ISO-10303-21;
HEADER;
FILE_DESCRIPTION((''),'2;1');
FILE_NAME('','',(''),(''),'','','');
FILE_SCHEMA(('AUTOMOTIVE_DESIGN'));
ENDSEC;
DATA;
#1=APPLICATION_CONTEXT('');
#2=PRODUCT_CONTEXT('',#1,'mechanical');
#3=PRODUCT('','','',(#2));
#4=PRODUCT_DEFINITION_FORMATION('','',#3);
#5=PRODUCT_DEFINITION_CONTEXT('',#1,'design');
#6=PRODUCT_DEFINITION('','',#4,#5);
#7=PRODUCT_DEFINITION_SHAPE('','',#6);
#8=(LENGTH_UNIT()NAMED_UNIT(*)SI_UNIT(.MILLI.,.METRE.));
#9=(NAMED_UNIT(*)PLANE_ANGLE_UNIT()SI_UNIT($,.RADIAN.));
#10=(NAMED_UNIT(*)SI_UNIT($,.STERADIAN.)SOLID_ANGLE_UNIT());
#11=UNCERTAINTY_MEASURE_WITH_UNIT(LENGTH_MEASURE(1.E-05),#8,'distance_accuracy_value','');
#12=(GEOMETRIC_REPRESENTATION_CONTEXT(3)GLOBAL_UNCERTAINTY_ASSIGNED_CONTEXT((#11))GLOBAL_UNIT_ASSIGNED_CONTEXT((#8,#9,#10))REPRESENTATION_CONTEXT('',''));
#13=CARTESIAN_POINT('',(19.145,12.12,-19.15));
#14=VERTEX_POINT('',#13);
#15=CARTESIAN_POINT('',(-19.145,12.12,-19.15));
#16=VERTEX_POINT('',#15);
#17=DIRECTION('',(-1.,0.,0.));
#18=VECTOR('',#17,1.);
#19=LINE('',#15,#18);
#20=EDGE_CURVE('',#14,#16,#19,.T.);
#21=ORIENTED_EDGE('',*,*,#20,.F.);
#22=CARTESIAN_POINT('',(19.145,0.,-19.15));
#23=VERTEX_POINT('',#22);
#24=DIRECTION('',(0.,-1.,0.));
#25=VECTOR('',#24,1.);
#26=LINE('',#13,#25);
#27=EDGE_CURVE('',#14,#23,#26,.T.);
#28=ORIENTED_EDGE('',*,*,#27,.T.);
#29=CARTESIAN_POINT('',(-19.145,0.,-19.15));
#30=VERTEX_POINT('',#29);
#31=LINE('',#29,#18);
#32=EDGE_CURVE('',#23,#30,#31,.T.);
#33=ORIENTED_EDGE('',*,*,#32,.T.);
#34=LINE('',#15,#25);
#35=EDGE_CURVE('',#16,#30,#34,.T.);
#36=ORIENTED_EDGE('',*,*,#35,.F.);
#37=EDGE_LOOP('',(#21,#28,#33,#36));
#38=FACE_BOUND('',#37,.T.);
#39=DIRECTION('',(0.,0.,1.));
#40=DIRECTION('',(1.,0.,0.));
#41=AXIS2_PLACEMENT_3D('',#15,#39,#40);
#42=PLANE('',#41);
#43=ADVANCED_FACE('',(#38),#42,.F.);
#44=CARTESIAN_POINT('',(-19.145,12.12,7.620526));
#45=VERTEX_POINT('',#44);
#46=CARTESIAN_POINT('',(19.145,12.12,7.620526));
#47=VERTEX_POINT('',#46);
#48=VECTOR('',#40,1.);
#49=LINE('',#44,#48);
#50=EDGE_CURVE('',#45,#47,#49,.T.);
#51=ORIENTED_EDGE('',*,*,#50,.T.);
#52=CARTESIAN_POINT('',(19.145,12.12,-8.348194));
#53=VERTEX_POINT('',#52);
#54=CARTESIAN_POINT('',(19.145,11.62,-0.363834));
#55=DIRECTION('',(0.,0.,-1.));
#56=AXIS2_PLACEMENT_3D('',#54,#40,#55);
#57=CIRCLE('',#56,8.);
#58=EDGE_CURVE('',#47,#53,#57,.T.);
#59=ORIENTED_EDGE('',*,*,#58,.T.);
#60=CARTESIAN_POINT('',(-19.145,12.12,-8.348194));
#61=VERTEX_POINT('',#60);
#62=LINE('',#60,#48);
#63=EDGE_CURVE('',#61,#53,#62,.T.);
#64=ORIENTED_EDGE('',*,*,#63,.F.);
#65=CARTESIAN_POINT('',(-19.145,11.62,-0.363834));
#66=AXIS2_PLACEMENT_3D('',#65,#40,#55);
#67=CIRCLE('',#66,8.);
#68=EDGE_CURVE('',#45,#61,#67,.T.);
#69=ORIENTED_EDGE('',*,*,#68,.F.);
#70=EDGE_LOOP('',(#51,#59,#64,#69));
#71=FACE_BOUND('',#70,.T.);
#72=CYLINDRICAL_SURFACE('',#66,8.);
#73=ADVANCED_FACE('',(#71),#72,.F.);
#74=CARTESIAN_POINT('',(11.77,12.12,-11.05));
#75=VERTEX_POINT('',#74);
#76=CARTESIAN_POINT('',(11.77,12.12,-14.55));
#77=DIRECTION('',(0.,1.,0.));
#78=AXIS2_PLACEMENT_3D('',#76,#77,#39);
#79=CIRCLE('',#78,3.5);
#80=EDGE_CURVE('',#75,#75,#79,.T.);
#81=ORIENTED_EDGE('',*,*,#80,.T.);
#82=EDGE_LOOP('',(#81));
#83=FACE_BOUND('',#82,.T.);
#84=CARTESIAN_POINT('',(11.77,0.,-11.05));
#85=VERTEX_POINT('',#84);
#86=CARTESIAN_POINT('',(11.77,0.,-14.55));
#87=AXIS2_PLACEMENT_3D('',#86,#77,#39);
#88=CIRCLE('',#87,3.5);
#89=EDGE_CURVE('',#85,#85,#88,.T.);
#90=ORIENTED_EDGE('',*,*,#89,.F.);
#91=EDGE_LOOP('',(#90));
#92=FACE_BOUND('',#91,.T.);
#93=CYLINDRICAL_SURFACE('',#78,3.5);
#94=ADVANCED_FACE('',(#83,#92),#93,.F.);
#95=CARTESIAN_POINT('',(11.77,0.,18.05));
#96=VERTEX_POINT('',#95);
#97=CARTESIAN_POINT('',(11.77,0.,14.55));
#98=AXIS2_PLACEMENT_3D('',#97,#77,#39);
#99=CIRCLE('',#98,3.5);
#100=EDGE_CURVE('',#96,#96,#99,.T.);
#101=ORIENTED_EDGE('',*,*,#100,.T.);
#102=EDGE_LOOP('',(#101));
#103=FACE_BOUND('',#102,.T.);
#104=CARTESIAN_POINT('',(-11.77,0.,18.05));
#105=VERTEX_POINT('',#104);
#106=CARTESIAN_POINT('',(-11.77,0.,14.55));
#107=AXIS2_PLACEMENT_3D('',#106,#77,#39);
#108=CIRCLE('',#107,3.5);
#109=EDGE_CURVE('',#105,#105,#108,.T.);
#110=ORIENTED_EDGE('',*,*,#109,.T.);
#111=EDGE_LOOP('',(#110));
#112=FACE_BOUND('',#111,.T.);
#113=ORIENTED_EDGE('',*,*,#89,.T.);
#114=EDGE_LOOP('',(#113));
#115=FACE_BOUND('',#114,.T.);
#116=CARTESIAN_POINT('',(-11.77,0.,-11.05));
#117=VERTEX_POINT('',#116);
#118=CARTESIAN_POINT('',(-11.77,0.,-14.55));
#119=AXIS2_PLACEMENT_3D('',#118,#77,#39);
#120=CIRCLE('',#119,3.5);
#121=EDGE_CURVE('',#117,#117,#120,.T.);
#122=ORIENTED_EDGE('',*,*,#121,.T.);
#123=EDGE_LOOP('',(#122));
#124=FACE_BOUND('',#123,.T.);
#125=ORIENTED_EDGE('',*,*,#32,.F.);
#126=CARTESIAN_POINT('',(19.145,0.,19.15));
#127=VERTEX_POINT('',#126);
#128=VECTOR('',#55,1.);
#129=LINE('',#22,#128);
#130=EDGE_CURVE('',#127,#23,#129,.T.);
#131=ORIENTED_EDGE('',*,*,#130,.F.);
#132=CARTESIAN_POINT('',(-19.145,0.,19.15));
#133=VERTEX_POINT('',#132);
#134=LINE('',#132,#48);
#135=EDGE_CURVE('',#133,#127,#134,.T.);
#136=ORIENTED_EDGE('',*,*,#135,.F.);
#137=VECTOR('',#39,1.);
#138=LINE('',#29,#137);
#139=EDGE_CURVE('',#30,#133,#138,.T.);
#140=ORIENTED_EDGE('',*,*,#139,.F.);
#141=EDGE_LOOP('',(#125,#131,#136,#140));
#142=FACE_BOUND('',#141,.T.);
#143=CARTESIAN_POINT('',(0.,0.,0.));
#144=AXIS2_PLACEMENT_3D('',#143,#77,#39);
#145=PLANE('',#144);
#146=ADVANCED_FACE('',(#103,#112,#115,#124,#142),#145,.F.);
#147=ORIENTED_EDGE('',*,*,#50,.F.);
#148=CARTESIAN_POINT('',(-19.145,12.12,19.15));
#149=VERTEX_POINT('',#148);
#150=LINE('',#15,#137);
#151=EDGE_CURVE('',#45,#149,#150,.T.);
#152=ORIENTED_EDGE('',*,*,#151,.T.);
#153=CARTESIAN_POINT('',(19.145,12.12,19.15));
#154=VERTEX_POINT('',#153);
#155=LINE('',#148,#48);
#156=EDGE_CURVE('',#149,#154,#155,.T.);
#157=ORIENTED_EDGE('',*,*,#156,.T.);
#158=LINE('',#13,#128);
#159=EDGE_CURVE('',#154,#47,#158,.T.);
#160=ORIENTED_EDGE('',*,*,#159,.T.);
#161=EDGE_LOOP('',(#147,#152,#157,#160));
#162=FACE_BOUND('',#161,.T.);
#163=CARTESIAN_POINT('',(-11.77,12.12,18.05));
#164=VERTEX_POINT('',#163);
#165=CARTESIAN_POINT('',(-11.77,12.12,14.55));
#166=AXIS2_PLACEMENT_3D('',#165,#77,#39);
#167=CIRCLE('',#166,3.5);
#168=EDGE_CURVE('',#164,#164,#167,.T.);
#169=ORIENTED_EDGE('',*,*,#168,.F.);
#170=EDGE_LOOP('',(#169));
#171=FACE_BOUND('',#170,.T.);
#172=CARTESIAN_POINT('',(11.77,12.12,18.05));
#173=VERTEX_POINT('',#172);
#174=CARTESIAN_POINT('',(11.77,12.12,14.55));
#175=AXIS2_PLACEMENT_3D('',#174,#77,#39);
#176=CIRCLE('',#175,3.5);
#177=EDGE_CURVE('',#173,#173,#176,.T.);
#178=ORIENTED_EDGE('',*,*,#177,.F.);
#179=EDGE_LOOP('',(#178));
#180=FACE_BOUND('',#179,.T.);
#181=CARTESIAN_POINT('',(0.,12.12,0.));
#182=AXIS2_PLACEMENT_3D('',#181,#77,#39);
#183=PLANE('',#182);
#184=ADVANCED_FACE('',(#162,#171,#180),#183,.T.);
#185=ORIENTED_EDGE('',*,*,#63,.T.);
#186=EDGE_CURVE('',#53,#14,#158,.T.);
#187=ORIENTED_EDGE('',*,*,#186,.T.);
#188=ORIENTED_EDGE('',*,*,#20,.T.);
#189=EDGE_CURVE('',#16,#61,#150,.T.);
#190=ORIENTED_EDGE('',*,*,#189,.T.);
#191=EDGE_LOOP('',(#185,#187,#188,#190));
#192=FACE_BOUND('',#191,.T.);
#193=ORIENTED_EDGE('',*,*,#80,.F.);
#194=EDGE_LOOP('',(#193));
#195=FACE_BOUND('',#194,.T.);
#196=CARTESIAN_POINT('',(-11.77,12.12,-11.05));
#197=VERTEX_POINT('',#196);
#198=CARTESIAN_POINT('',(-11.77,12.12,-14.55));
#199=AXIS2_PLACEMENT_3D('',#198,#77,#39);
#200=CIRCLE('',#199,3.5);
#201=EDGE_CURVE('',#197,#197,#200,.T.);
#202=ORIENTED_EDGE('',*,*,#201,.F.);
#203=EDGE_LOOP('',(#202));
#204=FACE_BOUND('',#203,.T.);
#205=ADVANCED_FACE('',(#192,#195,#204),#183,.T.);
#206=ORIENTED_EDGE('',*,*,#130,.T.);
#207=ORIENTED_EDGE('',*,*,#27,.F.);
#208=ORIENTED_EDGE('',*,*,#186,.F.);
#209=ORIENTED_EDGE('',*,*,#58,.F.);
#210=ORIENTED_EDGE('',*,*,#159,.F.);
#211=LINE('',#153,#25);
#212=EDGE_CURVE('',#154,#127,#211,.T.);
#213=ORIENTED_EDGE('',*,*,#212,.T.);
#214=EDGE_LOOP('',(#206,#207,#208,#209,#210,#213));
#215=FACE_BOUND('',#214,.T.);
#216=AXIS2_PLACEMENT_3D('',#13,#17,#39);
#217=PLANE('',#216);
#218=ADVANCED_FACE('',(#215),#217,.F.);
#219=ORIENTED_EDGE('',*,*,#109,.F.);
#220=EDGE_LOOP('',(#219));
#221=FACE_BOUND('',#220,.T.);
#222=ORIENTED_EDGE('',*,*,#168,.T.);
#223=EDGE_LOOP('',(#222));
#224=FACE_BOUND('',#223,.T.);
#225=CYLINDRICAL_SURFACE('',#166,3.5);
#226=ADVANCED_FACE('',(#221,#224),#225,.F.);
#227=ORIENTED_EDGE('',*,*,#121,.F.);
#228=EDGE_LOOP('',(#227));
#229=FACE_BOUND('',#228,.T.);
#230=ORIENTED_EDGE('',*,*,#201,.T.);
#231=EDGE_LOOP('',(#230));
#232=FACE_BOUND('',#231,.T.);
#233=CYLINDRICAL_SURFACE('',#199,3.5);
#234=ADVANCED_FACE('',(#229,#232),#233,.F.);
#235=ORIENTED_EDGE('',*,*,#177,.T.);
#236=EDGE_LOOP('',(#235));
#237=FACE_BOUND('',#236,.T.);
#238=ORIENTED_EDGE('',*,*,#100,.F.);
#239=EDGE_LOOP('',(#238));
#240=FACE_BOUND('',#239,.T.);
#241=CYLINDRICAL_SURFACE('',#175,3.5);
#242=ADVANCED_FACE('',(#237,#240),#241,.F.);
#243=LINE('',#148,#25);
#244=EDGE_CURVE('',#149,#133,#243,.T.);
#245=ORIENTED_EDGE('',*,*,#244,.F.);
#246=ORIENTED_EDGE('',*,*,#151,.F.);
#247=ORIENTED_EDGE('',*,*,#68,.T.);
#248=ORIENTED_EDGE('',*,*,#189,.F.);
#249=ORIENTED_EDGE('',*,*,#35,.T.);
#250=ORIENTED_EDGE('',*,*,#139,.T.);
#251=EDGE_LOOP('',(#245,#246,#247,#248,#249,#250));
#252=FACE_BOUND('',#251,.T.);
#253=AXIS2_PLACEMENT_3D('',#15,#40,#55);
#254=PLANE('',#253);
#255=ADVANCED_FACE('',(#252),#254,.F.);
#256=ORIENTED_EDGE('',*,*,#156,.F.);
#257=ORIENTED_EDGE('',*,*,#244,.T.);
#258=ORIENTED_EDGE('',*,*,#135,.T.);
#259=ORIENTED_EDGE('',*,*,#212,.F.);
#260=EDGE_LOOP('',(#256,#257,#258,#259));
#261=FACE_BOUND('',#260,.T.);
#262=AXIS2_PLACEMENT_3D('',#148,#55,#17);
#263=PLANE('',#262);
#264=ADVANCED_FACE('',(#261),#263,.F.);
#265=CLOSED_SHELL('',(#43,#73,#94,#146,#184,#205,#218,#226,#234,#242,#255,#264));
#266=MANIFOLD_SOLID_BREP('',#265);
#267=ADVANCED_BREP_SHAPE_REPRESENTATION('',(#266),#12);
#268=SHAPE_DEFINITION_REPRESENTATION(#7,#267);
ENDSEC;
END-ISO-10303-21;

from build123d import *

# Parameters (mm, degrees)
SKETCH1_W                            = 38.29
SKETCH1_H                            = 38.3
BOSS_EXTRUDE1_DEPTH                  = 12.12
SKETCH2_R                            = 8
CUT_EXTRUDE1_DEPTH                   = 45.494280531
M8X1_0_TAPPED_HOLE2_D                = 7
MIRROR1_AT_THE_SECOND_PLANE_COPY_1_D = 7


with BuildPart() as part:
    # Sketch1 → Boss-Extrude1 (new body)
    with BuildSketch(Plane(origin=(0, 0, 0), x_dir=(1, 0, 0), z_dir=(0, 1, 0))):
        Rectangle(SKETCH1_W, SKETCH1_H)
    extrude(amount=BOSS_EXTRUDE1_DEPTH)

    # Sketch2 → Cut-Extrude1 (cut, through all)
    with BuildSketch(Plane(origin=(19.145, 0, 0), x_dir=(0, 0, -1), z_dir=(1, 0, 0))):
        with Locations((0.363834185, 11.62)):
            Circle(SKETCH2_R)
    extrude(amount=-CUT_EXTRUDE1_DEPTH, mode=Mode.SUBTRACT)

    # M8x1.0 Tapped Hole2 (through all)
    with Locations(Plane(origin=(0, 12.12, 0), x_dir=(1, 0, 0), z_dir=(0, 1, 0))):
        with Locations((-11.77, 14.55), (11.77, 14.55), (-11.77, -14.55), (11.77, -14.55)):
            m8x1_0_tapped_hole2 = Hole(M8X1_0_TAPPED_HOLE2_D / 2)

    # Mirror1: M8x1.0 Tapped Hole2 across plane
    add(m8x1_0_tapped_hole2.mirror(Plane.XY), mode=Mode.SUBTRACT)

    # Mirror1 at the second plane: M8x1.0 Tapped Hole2 across plane
    add(m8x1_0_tapped_hole2.mirror(Plane(origin=(0, 0, 0), x_dir=(0, 0, 1), z_dir=(1, 0, 0))), mode=Mode.SUBTRACT)

    # Mirror1 at the second plane copy 1 (through all)
    with Locations(Plane(origin=(0, 12.12, 0), x_dir=(-1, 0, 0), z_dir=(0, 1, 0))):
        with Locations((-11.77, 14.55), (11.77, 14.55), (-11.77, -14.55), (11.77, -14.55)):
            Hole(MIRROR1_AT_THE_SECOND_PLANE_COPY_1_D / 2)


solid = part.part
